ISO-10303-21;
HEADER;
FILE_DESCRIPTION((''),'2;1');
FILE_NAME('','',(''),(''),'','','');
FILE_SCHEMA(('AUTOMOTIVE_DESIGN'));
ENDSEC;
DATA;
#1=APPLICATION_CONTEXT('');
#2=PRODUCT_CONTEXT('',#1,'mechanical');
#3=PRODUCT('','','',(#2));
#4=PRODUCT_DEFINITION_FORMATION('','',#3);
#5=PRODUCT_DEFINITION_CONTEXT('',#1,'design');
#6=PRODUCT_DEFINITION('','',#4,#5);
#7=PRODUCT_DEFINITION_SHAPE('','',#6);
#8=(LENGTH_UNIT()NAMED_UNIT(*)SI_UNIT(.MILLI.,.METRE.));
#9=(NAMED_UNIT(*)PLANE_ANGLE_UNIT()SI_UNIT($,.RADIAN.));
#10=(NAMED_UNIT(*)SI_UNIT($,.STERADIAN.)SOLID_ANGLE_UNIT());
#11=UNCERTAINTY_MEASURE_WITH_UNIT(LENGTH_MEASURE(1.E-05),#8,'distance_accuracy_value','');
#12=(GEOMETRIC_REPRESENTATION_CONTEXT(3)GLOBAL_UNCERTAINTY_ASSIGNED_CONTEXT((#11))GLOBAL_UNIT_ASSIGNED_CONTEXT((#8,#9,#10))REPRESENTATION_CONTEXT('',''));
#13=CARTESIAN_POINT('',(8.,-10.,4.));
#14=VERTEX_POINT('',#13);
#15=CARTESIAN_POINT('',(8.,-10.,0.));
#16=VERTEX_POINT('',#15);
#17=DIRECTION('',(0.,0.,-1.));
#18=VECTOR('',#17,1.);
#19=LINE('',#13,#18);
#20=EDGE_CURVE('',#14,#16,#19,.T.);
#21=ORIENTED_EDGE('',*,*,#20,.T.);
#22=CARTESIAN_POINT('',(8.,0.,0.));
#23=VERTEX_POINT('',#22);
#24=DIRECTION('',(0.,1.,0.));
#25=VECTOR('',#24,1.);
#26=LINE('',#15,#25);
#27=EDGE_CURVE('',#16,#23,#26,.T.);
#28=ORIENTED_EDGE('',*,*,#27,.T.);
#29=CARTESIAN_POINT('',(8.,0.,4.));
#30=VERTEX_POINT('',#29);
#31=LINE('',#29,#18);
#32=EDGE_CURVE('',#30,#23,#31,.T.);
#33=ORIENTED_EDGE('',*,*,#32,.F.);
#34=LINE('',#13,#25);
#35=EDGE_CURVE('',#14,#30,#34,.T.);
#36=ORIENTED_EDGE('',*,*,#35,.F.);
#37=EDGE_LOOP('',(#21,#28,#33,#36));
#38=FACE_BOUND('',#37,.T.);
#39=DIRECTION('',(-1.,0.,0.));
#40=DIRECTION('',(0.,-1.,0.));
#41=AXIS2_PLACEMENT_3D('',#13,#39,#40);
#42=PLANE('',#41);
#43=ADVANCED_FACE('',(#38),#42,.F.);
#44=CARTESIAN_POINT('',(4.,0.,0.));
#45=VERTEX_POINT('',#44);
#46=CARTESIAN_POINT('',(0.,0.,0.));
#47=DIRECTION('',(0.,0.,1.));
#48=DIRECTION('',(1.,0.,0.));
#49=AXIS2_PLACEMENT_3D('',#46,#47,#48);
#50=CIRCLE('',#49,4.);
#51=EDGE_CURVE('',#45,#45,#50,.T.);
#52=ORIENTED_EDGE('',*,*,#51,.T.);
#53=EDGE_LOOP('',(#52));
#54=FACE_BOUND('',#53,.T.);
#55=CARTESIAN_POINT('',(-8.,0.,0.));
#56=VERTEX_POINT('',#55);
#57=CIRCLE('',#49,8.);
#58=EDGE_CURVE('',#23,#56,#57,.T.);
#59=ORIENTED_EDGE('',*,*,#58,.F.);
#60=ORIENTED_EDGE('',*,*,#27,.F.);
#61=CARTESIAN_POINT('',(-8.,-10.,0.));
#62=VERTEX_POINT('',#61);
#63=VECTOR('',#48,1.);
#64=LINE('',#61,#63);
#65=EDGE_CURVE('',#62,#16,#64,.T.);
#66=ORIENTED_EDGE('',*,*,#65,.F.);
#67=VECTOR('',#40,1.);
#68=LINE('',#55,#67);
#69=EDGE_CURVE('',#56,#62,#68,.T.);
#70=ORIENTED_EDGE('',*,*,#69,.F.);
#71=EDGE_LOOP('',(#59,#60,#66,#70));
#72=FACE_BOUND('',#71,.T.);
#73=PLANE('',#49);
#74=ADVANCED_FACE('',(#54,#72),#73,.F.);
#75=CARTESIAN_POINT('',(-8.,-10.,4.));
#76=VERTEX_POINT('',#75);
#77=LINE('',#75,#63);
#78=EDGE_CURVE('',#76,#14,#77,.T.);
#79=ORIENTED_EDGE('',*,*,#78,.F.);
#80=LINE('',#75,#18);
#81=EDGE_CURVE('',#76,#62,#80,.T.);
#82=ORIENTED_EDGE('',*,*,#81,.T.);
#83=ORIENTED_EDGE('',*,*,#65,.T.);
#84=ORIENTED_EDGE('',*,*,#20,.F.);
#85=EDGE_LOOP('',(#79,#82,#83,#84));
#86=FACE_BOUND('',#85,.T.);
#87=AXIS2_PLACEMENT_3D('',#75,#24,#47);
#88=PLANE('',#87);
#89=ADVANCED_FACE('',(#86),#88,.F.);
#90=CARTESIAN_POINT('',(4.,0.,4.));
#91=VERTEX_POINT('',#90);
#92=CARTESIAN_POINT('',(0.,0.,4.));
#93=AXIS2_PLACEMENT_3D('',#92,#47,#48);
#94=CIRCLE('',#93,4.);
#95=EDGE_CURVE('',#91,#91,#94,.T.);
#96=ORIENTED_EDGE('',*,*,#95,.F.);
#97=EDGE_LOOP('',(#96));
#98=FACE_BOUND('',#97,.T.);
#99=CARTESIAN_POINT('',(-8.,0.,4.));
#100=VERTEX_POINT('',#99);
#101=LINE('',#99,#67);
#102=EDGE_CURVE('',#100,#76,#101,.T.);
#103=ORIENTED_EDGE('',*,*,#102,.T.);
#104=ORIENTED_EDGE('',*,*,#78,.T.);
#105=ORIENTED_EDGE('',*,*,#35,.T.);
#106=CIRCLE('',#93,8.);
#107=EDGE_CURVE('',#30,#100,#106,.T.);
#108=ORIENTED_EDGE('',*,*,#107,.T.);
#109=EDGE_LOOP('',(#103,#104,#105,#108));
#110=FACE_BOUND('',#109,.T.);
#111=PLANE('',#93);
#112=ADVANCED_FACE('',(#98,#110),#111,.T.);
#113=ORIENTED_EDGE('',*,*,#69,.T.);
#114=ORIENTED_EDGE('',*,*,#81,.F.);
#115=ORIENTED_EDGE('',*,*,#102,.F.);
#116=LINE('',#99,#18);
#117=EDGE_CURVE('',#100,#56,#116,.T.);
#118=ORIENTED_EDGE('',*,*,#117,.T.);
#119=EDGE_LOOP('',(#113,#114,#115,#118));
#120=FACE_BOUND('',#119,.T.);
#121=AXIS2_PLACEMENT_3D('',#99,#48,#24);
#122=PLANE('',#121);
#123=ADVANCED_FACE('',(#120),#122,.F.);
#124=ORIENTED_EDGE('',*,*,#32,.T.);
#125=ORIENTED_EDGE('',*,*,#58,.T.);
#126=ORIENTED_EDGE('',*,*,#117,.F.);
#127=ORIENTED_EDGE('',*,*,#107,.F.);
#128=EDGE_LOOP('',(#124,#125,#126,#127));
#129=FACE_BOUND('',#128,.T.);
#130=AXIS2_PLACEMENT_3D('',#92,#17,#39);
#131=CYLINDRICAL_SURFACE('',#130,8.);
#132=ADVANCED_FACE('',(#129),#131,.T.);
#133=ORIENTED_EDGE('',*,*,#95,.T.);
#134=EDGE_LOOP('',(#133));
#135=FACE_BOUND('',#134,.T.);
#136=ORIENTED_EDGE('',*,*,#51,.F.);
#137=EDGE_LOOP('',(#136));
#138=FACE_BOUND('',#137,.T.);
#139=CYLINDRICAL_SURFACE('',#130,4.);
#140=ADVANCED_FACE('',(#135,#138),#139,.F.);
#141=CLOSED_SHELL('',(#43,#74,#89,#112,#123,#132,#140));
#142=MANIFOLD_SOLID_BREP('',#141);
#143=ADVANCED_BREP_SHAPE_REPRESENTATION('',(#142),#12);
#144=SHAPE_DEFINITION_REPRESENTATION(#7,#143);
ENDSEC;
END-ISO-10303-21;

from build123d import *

# Parameters (mm, degrees)
CROQUIS1_R              = 4
SALIENTE_EXTRUIR1_DEPTH = 4


with BuildPart() as part:
    # Croquis1 → Saliente-Extruir1 (new body)
    with BuildSketch(Plane.XY):
        with BuildLine():
            Line((-8, 0), (-8, -10))
            Line((-8, -10), (8, -10))
            Line((8, -10), (8, 0))
            ThreePointArc((8, 0), (0, 8), (-8, 0))
        make_face()
        Circle(CROQUIS1_R, mode=Mode.SUBTRACT)
    extrude(amount=SALIENTE_EXTRUIR1_DEPTH)


solid = part.part
